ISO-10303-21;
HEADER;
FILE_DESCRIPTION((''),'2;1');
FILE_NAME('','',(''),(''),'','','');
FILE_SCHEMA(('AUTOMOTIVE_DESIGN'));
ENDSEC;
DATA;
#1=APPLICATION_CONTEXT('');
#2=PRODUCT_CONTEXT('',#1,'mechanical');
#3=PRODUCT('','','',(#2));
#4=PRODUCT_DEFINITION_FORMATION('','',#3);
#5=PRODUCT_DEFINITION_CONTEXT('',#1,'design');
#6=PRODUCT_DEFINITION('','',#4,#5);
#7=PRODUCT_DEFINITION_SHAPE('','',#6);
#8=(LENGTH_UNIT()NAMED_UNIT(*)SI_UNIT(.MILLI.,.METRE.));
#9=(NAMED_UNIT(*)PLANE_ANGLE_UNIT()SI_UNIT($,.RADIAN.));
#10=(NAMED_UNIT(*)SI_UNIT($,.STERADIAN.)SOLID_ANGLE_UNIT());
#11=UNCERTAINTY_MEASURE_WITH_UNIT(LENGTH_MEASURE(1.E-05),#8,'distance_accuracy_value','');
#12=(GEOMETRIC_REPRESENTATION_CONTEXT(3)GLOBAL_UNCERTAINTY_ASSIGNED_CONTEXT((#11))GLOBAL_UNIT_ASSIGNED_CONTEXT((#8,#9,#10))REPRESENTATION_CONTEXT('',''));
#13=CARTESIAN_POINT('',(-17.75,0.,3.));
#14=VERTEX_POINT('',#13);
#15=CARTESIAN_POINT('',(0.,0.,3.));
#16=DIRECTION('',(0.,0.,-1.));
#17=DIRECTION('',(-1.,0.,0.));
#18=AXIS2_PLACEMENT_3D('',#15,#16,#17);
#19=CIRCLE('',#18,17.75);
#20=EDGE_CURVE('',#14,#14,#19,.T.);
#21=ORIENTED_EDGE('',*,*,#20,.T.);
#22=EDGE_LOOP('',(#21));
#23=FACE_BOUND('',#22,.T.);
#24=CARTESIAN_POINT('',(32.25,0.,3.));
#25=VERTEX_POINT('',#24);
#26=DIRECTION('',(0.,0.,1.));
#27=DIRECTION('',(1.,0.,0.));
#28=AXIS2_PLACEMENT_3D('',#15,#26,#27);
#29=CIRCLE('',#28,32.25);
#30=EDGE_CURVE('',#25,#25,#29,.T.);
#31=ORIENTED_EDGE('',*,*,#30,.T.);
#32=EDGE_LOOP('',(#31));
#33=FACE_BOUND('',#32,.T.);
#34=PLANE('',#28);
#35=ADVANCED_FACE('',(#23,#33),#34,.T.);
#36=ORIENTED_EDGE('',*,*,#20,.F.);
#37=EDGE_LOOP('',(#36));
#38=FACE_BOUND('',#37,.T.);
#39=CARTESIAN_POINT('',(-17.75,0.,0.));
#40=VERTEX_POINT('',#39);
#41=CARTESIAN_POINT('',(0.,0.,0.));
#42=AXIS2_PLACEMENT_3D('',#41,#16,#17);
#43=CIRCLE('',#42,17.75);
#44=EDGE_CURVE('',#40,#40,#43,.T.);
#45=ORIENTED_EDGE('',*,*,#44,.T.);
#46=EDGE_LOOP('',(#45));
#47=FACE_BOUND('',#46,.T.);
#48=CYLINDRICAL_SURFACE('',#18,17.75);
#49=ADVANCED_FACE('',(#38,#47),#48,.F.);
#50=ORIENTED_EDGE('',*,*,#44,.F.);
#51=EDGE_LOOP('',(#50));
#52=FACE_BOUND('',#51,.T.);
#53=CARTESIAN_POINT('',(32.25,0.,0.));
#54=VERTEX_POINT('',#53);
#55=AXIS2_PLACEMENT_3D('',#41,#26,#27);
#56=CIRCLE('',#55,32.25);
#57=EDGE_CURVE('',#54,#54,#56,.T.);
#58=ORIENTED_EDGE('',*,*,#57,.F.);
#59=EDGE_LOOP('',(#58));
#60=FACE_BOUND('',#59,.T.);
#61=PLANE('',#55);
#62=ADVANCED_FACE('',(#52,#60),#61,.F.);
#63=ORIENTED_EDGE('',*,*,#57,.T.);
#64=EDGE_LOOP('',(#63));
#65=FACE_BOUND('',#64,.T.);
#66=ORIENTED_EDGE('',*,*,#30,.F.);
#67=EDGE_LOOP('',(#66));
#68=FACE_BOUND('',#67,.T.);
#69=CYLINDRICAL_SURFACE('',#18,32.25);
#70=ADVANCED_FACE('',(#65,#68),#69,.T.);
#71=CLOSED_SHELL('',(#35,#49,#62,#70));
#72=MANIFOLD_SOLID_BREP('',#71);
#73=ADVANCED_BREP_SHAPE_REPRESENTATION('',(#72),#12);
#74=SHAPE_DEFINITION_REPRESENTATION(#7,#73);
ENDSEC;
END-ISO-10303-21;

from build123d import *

# Parameters (mm, degrees)
SKETCH2_R           = 32.25
BOSS_EXTRUDE1_DEPTH = 3
SKETCH3_R           = 17.75
CUT_EXTRUDE1_DEPTH  = 3


with BuildPart() as part:
    # Sketch2 → Boss-Extrude1 (new body)
    with BuildSketch(Plane.XY):
        Circle(SKETCH2_R)
    extrude(amount=BOSS_EXTRUDE1_DEPTH)

    # Sketch3 → Cut-Extrude1 (cut)
    with BuildSketch(Plane(origin=(0, 0, 0), x_dir=(-1, 0, 0), z_dir=(0, 0, -1))):
        Circle(SKETCH3_R)
    extrude(amount=-CUT_EXTRUDE1_DEPTH, mode=Mode.SUBTRACT)


solid = part.part
